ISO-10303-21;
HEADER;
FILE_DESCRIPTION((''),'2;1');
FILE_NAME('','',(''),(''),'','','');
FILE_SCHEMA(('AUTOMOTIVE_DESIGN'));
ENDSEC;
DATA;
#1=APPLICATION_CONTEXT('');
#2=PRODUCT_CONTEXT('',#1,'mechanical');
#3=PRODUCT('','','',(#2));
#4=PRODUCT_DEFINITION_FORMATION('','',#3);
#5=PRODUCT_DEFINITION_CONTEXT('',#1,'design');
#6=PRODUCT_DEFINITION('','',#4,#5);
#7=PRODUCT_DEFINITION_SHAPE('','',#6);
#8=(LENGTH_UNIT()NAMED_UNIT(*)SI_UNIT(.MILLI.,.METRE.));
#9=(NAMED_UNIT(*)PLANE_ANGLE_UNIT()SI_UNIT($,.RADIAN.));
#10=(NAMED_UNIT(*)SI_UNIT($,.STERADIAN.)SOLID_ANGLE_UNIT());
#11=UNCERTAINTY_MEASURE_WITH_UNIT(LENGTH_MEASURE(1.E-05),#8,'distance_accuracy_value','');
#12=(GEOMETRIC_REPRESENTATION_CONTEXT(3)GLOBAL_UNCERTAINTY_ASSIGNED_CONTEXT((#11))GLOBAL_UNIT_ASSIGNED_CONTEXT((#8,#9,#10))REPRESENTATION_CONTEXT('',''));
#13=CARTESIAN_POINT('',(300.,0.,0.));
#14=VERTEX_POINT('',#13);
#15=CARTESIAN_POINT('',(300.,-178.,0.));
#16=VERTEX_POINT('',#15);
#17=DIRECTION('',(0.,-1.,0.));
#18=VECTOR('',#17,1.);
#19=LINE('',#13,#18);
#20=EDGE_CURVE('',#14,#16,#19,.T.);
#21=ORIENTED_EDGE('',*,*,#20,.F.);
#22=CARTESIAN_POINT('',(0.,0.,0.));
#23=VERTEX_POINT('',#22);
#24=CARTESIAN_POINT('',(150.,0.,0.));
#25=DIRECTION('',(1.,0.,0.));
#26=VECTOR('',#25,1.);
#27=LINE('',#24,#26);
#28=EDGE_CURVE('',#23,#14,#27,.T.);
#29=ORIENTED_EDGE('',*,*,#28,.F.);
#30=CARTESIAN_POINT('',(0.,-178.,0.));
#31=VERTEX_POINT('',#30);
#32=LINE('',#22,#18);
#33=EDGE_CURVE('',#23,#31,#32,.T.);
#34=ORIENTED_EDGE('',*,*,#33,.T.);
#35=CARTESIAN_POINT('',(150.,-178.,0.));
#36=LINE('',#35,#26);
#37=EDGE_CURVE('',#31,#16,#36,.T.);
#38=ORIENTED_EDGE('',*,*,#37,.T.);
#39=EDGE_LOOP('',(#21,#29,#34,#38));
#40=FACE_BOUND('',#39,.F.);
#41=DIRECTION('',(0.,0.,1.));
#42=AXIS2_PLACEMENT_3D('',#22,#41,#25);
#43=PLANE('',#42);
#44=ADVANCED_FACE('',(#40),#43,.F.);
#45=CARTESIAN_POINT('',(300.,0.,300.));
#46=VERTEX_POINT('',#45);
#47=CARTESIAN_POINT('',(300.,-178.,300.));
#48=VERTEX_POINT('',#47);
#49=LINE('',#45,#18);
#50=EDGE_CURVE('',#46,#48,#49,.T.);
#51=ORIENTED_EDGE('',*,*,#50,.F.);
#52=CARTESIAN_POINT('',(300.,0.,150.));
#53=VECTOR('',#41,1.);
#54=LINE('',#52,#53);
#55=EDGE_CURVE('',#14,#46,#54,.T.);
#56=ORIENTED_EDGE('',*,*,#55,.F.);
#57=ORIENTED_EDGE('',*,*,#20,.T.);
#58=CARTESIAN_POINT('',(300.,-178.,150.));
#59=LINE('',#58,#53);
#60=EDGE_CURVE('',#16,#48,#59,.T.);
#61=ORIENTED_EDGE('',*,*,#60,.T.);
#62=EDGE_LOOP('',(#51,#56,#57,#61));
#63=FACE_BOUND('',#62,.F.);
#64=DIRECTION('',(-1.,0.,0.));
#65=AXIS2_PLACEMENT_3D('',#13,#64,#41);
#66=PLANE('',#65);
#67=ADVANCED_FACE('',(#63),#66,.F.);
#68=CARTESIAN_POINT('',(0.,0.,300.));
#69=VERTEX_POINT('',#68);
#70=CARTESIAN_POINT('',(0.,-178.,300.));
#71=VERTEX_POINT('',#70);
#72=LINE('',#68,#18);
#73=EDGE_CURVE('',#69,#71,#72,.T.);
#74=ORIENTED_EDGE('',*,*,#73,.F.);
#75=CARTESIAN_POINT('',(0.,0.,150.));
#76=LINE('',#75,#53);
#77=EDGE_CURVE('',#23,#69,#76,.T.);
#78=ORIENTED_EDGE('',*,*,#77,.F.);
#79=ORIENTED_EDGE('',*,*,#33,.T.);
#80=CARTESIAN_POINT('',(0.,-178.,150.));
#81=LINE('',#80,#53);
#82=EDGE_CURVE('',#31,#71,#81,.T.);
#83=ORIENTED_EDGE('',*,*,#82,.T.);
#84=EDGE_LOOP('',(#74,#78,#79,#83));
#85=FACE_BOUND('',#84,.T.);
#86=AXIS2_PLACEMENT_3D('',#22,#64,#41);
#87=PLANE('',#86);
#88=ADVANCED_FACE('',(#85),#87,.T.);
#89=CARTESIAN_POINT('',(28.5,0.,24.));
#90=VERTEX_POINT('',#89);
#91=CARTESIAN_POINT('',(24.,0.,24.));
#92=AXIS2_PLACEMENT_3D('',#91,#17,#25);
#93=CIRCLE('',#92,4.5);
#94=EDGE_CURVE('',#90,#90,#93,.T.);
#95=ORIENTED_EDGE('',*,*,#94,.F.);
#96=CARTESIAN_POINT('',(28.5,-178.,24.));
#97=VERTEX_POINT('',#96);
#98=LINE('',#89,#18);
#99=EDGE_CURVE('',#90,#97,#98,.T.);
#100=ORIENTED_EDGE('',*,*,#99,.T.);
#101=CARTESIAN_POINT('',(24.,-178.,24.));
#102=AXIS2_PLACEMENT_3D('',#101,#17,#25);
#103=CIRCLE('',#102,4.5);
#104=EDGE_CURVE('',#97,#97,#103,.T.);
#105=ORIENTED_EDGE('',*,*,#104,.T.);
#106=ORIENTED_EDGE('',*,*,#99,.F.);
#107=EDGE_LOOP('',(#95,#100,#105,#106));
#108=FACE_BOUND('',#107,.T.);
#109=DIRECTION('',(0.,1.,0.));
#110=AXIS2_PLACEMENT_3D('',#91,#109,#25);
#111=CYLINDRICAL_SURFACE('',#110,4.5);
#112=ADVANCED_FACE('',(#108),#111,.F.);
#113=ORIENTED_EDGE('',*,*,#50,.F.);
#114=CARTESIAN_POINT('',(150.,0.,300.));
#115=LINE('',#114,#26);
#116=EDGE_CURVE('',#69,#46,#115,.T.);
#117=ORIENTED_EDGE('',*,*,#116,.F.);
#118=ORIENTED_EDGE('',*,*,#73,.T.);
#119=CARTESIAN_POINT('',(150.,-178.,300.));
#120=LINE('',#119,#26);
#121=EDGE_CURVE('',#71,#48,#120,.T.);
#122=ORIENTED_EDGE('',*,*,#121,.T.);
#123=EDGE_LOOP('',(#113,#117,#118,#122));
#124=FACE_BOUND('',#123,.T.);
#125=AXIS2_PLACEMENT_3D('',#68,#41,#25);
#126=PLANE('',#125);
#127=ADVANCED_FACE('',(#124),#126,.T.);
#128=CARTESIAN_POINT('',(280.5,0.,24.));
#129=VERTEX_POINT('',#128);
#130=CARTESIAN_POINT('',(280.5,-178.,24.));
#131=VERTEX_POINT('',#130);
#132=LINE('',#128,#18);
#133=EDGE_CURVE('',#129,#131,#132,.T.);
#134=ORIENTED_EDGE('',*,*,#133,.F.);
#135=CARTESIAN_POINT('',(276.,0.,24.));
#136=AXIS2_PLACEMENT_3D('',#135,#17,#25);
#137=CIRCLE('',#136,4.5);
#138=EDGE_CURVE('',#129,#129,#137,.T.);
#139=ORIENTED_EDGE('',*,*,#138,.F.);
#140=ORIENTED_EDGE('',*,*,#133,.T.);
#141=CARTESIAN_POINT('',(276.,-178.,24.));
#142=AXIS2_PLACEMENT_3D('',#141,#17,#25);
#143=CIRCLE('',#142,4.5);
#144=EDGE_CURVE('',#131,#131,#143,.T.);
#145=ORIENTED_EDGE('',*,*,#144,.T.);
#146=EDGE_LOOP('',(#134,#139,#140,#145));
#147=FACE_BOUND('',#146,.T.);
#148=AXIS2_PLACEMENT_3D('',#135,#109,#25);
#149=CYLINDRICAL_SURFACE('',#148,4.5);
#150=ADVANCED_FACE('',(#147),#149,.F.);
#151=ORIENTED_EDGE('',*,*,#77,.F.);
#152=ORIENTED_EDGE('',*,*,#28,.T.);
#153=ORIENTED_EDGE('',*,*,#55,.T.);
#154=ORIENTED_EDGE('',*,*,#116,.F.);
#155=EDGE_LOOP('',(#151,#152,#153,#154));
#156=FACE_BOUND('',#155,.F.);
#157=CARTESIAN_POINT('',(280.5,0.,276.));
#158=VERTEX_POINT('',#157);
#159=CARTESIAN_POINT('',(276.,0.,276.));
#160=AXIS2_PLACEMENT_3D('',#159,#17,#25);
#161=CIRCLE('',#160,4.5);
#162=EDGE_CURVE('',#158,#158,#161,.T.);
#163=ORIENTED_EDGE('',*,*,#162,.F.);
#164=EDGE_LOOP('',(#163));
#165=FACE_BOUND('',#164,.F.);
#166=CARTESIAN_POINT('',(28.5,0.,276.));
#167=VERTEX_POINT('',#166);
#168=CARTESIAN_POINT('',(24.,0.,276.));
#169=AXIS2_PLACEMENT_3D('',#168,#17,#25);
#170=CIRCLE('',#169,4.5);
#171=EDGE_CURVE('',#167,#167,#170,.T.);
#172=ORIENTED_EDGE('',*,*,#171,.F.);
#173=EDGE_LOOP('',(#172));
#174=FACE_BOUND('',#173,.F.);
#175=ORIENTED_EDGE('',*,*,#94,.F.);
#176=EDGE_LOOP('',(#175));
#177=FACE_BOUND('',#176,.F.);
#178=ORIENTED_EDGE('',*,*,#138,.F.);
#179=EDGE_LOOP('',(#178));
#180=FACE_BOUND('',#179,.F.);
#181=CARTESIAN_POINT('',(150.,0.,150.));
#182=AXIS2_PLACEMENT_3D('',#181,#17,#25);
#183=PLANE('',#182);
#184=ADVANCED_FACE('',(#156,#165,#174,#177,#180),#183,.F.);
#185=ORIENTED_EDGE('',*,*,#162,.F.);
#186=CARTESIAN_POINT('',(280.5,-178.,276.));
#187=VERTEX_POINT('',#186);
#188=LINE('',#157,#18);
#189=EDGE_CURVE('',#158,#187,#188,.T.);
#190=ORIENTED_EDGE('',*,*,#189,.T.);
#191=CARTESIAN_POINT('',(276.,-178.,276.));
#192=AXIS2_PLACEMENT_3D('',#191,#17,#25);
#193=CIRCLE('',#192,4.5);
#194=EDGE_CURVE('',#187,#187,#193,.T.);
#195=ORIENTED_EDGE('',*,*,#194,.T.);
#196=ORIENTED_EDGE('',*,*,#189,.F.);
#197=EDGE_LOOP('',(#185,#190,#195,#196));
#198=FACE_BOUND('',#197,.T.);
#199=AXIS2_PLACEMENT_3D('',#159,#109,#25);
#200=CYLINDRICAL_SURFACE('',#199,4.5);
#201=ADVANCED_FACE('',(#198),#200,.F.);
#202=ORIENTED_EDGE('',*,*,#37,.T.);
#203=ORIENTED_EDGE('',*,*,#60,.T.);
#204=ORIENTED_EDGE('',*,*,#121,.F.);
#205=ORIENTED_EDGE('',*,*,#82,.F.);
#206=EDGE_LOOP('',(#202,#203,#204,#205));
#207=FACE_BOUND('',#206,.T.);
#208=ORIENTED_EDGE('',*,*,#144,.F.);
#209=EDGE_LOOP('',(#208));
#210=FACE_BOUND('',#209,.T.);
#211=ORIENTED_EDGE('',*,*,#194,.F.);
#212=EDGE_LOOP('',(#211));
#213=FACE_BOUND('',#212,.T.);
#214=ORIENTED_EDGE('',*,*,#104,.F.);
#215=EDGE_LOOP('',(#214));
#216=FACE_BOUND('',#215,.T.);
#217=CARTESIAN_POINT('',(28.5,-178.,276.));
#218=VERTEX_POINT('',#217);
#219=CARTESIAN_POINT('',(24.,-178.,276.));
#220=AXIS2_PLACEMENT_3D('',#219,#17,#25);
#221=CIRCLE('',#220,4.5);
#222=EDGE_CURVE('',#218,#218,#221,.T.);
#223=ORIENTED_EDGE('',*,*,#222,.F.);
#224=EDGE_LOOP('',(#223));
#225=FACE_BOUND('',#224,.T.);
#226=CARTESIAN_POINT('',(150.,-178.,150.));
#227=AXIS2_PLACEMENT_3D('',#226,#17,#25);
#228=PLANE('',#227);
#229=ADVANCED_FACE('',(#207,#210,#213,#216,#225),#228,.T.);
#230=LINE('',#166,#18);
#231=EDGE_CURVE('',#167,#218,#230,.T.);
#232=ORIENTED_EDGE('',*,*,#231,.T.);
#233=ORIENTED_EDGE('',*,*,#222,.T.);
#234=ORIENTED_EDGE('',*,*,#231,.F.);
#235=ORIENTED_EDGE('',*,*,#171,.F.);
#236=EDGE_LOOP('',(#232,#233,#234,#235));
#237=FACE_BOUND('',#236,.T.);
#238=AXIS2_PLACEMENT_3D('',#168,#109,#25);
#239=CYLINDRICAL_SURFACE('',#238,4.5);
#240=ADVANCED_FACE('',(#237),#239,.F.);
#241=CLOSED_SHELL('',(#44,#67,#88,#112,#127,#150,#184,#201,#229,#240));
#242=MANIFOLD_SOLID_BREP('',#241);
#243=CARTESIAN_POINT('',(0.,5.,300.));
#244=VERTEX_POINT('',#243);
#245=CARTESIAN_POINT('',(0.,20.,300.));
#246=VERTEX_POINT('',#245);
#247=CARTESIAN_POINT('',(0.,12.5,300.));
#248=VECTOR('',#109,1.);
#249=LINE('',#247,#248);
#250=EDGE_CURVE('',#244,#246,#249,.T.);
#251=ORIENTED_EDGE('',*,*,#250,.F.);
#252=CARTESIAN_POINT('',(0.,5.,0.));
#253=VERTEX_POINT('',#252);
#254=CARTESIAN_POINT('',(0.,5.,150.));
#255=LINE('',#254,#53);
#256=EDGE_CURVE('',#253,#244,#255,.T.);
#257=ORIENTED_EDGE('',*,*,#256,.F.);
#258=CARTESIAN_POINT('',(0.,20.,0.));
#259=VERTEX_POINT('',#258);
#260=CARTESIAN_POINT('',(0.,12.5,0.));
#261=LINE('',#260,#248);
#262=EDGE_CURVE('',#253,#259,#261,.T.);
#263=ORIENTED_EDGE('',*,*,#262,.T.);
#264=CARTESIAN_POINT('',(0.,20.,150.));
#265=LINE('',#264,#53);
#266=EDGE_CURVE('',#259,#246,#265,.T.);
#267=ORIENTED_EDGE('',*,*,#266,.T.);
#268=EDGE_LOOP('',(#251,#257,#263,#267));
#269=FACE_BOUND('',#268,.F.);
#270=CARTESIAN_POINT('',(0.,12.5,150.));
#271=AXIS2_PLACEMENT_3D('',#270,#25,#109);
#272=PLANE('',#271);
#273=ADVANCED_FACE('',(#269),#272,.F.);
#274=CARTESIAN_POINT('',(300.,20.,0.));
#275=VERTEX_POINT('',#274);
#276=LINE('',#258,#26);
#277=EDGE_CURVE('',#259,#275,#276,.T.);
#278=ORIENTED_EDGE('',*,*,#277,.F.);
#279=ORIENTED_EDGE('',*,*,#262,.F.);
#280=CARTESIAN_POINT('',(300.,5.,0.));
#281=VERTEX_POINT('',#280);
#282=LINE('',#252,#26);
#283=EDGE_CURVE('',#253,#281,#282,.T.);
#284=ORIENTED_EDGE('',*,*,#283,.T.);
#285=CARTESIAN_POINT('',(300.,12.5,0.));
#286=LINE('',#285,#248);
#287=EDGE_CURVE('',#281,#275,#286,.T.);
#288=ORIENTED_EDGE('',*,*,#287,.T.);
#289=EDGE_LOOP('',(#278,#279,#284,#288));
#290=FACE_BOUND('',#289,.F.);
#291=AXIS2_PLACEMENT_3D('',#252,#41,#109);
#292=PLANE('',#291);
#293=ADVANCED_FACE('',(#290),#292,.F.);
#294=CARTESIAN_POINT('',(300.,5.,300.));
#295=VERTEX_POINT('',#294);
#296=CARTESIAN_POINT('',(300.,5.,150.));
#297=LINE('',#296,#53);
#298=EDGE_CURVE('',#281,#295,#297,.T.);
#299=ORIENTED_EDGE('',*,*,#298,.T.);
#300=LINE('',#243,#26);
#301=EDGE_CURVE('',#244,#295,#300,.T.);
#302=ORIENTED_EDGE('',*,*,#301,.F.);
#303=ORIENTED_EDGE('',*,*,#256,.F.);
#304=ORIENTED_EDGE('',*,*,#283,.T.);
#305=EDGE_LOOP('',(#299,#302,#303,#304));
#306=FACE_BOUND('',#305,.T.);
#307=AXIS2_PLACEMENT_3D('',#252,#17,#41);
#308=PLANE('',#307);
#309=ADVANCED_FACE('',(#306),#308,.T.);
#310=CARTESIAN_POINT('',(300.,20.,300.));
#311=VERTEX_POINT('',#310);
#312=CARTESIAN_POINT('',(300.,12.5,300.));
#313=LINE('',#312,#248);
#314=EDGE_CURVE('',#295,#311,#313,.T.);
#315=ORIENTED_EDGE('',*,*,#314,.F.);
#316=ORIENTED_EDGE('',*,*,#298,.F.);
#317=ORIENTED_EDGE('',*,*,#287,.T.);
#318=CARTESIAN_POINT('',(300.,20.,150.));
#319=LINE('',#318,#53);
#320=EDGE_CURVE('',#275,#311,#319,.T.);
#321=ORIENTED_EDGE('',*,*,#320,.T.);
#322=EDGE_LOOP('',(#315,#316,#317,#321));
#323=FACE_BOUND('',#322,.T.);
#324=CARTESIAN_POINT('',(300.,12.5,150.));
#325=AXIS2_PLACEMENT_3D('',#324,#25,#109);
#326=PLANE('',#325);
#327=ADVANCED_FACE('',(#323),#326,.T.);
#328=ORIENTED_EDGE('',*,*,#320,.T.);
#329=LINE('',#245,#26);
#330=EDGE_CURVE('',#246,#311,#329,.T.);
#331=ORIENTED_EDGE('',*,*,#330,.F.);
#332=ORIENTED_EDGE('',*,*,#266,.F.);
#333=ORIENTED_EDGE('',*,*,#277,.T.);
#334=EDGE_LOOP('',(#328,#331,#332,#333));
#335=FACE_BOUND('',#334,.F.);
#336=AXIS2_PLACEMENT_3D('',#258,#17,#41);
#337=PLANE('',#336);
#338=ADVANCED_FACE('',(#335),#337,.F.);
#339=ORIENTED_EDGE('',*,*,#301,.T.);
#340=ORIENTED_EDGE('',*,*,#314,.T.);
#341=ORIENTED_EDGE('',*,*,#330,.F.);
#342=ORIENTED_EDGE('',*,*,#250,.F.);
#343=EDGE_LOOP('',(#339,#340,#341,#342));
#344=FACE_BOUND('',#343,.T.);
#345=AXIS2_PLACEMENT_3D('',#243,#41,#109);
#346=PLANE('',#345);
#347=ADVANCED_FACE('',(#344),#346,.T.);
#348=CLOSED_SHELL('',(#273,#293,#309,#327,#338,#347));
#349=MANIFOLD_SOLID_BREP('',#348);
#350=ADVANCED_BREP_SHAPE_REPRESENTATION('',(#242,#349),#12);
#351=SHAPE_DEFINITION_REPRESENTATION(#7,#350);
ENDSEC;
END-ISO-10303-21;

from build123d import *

# Parameters (mm, degrees)
F0_W     = 300
F0_H     = 300
F0_R     = 4.5
F1_DEPTH = 178
F2_W     = 15
F2_H     = 300
F3_DEPTH = 300


with BuildPart() as f1:
    # F0 (on Front) → F1 (new body)
    with BuildSketch(Plane.XZ):
        with Locations((150, 150)):
            Rectangle(F0_W, F0_H)
        with Locations((24, 24)):
            Circle(F0_R, mode=Mode.SUBTRACT)
        with Locations((276, 24)):
            Circle(F0_R, mode=Mode.SUBTRACT)
        with Locations((24, 276)):
            Circle(F0_R, mode=Mode.SUBTRACT)
        with Locations((276, 276)):
            Circle(F0_R, mode=Mode.SUBTRACT)
    extrude(amount=F1_DEPTH)


with BuildPart() as f3:
    # F2 (on Right) → F3 (new body)
    with BuildSketch(Plane.YZ):
        with Locations((12.5, 150)):
            Rectangle(F2_W, F2_H)
    extrude(amount=F3_DEPTH)


solid = Compound([f1.part, f3.part])
